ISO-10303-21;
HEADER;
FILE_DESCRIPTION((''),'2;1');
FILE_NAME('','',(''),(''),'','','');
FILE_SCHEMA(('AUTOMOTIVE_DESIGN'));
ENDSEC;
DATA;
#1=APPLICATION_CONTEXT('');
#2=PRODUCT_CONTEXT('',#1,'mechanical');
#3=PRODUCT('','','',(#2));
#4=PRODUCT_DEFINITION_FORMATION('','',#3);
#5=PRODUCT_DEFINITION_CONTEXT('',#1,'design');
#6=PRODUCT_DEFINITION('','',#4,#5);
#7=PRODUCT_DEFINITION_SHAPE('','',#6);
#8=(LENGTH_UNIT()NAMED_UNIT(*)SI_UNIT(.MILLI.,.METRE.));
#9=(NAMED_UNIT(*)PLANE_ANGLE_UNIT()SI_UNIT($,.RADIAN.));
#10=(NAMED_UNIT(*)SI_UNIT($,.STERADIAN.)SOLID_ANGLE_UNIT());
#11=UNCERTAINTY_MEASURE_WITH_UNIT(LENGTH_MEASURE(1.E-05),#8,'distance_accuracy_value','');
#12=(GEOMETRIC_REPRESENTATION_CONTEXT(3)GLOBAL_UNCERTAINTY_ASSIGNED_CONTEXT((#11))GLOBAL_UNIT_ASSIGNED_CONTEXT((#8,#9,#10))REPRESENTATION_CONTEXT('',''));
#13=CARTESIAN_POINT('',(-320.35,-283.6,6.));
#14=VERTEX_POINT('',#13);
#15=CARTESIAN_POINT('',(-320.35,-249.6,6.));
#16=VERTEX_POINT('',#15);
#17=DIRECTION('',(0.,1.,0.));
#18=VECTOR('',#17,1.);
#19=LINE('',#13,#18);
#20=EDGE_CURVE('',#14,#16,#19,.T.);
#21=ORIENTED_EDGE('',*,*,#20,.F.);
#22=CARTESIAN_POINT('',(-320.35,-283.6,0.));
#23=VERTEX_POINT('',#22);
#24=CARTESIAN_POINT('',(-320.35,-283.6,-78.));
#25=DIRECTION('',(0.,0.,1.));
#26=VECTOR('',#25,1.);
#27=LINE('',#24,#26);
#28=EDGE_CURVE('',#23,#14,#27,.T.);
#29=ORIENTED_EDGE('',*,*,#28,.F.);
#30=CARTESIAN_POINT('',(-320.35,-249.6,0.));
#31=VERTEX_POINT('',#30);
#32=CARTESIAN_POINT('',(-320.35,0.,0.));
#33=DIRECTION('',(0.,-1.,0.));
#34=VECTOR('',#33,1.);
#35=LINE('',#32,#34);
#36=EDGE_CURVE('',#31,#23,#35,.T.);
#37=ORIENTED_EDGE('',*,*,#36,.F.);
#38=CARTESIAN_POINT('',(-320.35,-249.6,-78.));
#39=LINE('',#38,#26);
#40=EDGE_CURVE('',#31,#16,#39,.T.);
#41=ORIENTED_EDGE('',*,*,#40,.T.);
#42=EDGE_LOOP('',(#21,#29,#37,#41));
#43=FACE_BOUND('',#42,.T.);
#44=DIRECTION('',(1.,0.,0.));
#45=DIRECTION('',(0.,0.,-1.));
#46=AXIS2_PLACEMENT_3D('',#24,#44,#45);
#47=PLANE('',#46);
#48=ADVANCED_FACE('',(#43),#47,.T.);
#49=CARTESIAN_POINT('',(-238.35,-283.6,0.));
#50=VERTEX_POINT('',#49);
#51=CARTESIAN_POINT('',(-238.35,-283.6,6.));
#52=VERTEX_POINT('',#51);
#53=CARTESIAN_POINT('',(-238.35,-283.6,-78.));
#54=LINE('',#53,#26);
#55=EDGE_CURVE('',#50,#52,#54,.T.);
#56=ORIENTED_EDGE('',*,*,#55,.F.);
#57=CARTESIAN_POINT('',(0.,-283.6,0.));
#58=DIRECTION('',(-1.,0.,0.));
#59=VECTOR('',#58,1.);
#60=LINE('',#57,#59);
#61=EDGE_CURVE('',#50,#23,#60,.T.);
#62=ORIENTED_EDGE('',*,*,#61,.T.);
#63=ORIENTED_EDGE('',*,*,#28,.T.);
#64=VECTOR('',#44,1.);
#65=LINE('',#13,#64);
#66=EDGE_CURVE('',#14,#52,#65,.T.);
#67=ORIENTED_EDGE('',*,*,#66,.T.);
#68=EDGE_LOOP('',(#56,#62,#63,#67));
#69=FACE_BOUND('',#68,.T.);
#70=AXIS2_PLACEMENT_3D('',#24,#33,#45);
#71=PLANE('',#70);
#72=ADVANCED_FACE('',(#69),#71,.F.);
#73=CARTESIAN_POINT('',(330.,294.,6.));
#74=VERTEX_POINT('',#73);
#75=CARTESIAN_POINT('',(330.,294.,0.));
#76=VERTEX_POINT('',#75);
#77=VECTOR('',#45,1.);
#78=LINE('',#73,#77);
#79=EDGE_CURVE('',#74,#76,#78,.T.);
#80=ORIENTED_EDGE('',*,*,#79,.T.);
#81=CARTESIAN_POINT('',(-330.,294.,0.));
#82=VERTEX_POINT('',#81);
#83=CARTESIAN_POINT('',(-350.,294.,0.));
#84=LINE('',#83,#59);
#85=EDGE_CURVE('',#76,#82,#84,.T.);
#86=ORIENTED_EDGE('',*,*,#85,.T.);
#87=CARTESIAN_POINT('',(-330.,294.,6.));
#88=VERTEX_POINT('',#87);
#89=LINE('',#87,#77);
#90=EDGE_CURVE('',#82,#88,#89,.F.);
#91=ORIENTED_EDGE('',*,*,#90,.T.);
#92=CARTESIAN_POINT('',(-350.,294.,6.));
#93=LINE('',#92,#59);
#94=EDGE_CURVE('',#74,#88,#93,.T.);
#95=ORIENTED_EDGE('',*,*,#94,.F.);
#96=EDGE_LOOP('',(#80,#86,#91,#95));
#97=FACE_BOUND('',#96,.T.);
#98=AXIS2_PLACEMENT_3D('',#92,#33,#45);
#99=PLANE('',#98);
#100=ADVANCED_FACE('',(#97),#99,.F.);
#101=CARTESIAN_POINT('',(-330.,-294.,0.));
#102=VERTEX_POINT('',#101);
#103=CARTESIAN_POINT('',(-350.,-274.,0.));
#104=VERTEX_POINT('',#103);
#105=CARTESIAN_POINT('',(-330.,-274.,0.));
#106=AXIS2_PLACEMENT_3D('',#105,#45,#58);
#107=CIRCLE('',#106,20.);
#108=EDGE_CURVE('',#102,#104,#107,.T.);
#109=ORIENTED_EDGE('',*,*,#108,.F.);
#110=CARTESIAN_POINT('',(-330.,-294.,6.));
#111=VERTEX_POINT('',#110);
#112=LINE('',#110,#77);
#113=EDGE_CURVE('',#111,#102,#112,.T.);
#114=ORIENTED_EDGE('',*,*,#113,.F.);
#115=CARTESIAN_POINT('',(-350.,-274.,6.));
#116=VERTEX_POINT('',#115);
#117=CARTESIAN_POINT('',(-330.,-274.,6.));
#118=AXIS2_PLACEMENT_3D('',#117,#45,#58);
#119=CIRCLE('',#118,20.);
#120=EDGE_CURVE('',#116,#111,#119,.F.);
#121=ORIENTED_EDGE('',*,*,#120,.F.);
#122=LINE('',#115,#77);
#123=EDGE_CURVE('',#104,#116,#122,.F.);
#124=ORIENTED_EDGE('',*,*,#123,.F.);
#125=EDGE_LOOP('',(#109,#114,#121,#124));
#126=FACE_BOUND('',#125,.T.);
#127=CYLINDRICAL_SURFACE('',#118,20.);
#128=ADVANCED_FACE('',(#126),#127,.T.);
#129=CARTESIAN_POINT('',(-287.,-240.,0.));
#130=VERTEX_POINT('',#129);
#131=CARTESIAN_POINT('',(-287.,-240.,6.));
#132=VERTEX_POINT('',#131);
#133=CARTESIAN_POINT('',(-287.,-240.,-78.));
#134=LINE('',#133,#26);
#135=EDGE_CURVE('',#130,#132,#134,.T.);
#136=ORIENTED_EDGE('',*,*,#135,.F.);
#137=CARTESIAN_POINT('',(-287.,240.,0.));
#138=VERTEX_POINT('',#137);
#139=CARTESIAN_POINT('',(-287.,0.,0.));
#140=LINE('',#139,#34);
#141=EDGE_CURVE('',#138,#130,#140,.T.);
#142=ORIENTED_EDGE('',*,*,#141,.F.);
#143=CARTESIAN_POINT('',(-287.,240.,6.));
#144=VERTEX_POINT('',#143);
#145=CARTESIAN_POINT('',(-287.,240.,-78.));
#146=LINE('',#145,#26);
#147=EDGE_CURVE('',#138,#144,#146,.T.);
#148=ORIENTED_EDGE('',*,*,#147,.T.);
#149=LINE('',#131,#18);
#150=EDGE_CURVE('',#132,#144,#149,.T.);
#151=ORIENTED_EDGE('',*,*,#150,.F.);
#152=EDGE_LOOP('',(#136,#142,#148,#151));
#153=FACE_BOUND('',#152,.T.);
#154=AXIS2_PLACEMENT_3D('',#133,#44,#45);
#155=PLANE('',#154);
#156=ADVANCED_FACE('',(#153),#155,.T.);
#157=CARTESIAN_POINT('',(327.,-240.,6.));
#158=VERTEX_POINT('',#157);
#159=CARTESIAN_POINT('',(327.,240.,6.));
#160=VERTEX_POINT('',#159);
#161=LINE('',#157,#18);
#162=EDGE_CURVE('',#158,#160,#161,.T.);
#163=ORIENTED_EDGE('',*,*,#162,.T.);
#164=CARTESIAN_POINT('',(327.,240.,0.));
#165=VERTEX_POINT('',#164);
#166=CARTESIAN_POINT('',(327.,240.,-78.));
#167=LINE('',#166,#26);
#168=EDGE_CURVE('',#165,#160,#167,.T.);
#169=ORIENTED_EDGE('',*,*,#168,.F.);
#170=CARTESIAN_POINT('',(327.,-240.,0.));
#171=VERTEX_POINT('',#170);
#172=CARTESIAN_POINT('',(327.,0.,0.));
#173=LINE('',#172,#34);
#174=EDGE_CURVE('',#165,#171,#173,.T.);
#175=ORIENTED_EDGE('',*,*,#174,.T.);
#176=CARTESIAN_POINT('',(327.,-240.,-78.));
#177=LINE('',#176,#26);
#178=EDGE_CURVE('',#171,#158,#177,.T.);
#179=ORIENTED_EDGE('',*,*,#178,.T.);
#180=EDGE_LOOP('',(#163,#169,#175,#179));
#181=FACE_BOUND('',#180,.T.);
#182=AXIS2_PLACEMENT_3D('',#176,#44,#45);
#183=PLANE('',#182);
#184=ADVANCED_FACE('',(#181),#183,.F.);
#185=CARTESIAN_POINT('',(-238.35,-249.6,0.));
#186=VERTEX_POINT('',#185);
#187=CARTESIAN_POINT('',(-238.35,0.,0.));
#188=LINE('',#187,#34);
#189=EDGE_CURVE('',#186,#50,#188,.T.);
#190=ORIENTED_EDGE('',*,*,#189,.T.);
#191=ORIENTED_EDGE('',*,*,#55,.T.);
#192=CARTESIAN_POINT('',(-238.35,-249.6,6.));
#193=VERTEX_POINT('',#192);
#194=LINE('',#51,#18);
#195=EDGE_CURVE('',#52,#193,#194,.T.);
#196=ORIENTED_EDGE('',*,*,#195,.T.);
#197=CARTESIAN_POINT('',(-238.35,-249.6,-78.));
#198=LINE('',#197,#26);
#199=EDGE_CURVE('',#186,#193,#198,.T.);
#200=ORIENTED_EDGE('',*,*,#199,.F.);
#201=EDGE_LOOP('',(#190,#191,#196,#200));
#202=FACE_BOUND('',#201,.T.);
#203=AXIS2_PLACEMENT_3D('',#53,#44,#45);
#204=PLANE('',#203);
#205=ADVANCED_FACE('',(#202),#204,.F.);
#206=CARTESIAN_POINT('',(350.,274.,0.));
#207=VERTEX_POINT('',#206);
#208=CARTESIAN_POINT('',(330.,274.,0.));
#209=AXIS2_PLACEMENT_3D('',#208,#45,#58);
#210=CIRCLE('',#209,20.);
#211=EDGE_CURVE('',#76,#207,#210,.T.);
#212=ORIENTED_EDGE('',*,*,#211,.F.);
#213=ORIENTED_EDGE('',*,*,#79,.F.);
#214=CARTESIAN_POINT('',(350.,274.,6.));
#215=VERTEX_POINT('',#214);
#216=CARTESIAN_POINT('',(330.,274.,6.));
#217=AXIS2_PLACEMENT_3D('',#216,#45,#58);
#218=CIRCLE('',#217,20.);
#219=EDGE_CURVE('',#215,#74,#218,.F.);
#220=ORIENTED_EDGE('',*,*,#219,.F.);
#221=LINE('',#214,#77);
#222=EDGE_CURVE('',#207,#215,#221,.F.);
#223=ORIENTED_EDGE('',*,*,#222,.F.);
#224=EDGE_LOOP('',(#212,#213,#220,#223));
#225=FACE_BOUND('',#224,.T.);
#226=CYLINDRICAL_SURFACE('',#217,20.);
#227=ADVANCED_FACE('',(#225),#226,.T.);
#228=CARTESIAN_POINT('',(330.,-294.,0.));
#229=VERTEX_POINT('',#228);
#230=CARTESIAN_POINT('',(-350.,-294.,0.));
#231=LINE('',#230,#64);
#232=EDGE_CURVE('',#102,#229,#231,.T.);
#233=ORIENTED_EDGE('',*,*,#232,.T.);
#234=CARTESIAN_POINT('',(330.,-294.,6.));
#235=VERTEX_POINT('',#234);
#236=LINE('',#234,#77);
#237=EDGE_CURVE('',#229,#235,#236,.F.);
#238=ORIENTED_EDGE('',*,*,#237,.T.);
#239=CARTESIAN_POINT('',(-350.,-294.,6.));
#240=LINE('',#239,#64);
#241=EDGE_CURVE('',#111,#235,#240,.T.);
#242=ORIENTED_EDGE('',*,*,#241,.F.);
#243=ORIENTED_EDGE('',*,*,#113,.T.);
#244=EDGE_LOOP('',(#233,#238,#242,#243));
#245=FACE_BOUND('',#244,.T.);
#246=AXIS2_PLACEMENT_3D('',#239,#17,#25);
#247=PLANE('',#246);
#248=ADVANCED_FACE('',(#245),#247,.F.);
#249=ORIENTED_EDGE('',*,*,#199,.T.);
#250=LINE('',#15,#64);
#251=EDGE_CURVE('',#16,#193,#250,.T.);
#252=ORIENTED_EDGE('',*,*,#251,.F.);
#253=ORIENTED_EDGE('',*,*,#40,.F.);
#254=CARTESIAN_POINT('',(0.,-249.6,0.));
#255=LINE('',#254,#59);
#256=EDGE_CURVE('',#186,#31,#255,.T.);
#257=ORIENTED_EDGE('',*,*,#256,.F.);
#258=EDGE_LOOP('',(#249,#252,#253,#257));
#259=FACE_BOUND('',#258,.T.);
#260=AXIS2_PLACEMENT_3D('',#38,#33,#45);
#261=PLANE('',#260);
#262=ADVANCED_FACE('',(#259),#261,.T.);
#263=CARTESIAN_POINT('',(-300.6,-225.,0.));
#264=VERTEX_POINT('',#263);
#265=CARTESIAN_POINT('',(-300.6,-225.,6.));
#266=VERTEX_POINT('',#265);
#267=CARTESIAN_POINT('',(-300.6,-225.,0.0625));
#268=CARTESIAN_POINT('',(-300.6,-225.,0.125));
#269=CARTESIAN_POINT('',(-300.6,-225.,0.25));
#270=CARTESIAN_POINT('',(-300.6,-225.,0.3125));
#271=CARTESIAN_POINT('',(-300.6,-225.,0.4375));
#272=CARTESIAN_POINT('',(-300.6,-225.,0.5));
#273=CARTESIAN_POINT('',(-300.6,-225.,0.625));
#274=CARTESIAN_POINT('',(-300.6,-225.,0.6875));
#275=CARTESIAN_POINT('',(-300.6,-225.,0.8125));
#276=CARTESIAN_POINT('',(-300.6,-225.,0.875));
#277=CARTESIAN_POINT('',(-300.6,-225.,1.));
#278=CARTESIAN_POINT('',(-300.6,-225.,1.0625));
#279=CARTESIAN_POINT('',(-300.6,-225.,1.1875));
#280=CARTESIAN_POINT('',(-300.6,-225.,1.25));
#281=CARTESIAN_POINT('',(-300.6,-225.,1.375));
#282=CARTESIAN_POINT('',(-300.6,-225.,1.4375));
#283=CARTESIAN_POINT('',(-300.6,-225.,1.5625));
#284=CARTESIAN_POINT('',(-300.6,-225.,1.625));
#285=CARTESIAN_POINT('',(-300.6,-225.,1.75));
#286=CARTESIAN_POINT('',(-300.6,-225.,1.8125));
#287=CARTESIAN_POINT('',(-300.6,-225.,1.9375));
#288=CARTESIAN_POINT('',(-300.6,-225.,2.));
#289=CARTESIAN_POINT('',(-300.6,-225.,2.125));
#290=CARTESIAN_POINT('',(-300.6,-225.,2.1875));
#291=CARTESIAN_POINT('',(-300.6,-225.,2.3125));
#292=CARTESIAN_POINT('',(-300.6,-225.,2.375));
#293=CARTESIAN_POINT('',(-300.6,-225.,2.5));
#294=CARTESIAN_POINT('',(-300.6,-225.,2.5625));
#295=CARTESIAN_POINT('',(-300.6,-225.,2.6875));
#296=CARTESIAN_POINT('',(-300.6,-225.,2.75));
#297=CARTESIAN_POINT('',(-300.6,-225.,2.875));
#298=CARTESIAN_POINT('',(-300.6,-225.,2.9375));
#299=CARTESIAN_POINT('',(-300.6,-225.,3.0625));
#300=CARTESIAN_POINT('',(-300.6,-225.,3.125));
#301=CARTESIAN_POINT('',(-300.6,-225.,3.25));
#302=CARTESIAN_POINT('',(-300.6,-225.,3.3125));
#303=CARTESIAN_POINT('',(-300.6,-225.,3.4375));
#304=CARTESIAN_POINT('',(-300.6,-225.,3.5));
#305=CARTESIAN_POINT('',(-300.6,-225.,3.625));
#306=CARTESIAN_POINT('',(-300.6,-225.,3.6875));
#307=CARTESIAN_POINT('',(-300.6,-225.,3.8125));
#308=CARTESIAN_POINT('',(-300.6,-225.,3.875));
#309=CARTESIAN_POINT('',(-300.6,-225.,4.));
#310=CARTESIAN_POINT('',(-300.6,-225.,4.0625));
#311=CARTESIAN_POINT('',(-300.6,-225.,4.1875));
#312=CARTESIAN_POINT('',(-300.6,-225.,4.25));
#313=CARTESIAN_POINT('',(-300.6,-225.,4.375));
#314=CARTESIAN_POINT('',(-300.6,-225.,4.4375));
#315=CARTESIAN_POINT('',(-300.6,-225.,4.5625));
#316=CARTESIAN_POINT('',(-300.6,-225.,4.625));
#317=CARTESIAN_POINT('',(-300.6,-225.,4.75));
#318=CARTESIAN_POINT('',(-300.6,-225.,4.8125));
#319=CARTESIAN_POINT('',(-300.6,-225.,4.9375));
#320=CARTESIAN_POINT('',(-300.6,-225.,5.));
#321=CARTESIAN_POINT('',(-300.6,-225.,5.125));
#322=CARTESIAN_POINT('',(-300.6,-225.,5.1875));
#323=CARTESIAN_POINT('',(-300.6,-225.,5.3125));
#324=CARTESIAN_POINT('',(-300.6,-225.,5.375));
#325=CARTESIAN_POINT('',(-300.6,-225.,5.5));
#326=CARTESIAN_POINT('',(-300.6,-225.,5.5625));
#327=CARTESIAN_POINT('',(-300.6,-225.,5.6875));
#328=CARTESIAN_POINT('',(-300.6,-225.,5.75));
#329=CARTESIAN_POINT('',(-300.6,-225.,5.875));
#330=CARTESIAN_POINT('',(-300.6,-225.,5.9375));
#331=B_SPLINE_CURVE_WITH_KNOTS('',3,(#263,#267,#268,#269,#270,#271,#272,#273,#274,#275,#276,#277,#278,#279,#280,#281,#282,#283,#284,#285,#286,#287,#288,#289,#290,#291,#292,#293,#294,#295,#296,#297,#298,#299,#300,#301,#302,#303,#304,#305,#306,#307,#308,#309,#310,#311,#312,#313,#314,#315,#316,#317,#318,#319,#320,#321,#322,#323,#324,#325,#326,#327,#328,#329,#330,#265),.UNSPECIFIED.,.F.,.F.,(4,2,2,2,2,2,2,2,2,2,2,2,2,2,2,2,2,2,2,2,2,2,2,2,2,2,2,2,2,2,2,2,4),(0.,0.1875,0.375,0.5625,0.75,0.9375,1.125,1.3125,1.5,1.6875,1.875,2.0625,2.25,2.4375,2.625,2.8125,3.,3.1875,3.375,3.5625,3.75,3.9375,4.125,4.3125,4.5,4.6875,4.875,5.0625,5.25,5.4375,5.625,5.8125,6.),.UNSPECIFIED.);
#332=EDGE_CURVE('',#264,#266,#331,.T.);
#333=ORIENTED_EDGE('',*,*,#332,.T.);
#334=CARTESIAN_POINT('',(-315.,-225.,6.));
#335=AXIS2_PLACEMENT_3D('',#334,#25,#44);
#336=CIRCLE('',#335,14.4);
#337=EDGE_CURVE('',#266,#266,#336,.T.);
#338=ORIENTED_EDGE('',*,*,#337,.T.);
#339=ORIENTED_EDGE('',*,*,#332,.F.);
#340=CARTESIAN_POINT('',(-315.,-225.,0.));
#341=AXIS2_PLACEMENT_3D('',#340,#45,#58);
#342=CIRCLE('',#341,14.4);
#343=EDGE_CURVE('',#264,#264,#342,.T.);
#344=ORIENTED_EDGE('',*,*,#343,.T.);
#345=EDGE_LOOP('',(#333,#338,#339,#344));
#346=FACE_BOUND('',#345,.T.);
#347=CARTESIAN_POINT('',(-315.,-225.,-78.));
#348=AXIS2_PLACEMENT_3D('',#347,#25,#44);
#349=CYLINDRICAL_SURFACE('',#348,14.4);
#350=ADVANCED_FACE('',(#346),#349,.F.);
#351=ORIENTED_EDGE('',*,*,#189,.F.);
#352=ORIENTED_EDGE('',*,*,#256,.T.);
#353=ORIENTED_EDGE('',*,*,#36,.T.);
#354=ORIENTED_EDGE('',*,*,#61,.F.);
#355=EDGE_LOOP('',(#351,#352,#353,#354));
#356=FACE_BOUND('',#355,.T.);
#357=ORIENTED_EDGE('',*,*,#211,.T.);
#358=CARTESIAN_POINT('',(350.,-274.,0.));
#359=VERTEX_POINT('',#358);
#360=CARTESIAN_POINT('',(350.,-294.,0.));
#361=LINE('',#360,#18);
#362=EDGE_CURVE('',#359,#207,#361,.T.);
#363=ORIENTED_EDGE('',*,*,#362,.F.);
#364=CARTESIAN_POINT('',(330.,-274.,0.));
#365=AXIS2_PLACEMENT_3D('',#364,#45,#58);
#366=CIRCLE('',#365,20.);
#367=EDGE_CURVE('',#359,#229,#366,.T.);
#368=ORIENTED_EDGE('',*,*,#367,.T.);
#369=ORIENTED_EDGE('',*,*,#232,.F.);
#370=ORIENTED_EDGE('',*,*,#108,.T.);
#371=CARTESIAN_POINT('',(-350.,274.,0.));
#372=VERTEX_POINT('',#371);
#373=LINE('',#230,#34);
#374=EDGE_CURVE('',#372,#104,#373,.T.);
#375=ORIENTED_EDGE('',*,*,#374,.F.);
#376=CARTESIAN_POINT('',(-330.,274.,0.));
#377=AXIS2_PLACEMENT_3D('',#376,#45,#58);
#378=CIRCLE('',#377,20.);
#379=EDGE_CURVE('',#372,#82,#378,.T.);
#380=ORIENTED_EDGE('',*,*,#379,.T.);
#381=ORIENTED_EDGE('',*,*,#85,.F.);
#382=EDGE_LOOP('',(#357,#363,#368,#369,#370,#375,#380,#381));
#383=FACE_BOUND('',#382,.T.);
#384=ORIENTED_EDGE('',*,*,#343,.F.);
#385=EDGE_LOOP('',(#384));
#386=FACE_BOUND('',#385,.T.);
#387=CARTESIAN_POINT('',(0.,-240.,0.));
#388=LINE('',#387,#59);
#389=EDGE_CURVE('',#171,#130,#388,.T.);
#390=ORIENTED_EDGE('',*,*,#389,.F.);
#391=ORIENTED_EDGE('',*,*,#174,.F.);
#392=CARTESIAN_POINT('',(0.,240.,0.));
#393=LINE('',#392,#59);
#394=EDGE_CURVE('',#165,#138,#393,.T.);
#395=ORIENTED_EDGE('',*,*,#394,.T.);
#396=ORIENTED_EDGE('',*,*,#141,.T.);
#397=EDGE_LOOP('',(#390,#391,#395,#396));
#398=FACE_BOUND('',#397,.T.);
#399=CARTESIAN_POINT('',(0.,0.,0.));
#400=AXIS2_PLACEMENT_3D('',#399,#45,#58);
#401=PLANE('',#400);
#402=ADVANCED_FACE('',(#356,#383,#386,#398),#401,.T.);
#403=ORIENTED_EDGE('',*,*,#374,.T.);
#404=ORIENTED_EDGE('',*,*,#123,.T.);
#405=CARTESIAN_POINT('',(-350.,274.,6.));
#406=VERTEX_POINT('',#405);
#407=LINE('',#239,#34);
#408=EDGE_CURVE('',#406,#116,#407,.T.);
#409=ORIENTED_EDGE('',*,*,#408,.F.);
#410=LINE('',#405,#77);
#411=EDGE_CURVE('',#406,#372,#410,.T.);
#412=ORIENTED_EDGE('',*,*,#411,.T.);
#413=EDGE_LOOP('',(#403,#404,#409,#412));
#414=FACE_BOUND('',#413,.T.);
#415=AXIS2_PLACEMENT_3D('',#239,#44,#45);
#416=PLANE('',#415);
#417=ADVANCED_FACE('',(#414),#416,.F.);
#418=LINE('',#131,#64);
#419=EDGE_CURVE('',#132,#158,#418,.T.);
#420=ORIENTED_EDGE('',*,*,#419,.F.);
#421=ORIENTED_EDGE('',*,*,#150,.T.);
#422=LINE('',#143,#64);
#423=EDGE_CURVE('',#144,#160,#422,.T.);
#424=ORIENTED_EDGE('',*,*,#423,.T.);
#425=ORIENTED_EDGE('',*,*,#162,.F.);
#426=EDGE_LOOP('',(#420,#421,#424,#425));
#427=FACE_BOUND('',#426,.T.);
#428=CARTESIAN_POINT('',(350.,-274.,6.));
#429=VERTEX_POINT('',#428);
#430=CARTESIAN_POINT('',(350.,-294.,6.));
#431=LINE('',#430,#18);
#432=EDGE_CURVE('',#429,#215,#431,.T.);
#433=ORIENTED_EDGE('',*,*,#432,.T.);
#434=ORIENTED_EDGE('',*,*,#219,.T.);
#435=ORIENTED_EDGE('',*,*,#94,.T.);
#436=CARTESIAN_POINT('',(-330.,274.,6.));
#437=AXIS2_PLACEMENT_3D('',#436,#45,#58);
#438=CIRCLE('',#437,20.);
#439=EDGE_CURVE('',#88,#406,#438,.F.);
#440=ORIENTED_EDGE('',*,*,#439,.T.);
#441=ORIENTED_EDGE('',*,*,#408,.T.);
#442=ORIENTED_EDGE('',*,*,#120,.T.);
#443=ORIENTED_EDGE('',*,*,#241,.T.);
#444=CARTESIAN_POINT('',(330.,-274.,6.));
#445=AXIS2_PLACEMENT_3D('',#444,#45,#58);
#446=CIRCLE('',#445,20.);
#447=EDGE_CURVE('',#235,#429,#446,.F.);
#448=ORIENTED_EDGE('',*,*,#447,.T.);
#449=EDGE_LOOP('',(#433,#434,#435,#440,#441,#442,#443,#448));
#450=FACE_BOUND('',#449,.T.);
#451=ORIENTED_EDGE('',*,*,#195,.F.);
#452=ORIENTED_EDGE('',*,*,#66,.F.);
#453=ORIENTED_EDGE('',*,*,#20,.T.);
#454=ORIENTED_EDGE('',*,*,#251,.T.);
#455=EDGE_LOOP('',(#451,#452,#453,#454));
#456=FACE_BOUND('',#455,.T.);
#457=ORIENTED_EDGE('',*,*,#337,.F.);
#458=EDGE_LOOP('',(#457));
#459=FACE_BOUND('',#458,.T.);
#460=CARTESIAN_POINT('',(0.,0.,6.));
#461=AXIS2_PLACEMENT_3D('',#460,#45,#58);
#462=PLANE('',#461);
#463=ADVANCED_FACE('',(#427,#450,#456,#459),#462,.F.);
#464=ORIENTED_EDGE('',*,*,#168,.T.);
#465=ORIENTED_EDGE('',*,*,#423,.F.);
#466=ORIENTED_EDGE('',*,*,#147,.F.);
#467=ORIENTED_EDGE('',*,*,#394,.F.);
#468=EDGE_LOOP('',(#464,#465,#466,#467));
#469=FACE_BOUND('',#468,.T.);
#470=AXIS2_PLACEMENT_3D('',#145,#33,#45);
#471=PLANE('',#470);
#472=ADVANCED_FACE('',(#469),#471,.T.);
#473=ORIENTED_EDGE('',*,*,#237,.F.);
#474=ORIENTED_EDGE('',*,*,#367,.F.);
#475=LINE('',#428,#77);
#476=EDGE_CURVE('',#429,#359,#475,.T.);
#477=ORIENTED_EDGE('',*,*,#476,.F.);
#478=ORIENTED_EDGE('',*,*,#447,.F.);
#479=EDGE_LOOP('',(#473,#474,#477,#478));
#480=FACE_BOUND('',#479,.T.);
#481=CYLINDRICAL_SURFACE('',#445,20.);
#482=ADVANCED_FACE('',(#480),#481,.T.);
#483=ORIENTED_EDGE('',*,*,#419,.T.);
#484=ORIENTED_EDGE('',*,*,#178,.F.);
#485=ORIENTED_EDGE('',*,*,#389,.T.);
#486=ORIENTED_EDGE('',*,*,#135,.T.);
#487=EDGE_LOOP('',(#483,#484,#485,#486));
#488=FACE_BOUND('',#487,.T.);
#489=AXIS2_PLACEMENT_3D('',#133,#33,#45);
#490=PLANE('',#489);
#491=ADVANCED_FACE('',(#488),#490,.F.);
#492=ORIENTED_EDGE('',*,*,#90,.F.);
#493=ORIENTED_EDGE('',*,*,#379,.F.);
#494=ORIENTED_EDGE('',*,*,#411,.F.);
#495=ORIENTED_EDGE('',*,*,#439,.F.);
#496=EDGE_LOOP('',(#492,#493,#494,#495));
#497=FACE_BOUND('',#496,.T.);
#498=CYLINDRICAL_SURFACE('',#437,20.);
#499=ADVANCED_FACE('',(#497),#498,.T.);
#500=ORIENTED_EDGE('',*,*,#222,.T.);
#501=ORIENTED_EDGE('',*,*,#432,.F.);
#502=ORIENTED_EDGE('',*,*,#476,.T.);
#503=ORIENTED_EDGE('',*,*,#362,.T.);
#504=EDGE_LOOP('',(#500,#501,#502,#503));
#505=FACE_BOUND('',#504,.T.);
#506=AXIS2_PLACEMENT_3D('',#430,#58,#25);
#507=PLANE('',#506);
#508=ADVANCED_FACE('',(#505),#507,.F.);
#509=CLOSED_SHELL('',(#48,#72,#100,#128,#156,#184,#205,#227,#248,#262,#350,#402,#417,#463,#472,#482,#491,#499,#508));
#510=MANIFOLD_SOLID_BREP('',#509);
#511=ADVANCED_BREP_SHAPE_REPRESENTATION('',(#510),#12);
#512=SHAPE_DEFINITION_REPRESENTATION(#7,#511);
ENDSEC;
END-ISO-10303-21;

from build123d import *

# Parameters (mm, degrees)
SKETCH1_W           = 700
SKETCH1_H           = 588
BOSS_EXTRUDE1_DEPTH = 6
FILLET1_R           = 20
SKETCH2_R           = 14.4
SKETCH2_W           = 614
SKETCH2_H           = 480
SKETCH2_W_2         = 82
SKETCH2_H_2         = 34
CUT_EXTRUDE1_DEPTH  = 84


with BuildPart() as part:
    # Sketch1 → Boss-Extrude1 (new body)
    with BuildSketch(Plane.XY):
        Rectangle(SKETCH1_W, SKETCH1_H)
    extrude(amount=BOSS_EXTRUDE1_DEPTH)

    # Fillet1
    fillet1_edges = [part.edges().sort_by_distance(p)[0] for p in [
        (350, -294, 3),
        (-350, -294, 3),
        (-350, 294, 3),
        (350, 294, 3),
    ]]
    fillet(fillet1_edges, radius=FILLET1_R)

    # Sketch2 → Cut-Extrude1 (cut)
    with BuildSketch(Plane.XY.offset(6)):
        with Locations((-315, -225)):
            Circle(SKETCH2_R)
        with Locations((20, 0)):
            Rectangle(SKETCH2_W, SKETCH2_H)
        with Locations((-279.35, -266.6)):
            Rectangle(SKETCH2_W_2, SKETCH2_H_2)
    extrude(amount=-CUT_EXTRUDE1_DEPTH, mode=Mode.SUBTRACT)


solid = part.part
